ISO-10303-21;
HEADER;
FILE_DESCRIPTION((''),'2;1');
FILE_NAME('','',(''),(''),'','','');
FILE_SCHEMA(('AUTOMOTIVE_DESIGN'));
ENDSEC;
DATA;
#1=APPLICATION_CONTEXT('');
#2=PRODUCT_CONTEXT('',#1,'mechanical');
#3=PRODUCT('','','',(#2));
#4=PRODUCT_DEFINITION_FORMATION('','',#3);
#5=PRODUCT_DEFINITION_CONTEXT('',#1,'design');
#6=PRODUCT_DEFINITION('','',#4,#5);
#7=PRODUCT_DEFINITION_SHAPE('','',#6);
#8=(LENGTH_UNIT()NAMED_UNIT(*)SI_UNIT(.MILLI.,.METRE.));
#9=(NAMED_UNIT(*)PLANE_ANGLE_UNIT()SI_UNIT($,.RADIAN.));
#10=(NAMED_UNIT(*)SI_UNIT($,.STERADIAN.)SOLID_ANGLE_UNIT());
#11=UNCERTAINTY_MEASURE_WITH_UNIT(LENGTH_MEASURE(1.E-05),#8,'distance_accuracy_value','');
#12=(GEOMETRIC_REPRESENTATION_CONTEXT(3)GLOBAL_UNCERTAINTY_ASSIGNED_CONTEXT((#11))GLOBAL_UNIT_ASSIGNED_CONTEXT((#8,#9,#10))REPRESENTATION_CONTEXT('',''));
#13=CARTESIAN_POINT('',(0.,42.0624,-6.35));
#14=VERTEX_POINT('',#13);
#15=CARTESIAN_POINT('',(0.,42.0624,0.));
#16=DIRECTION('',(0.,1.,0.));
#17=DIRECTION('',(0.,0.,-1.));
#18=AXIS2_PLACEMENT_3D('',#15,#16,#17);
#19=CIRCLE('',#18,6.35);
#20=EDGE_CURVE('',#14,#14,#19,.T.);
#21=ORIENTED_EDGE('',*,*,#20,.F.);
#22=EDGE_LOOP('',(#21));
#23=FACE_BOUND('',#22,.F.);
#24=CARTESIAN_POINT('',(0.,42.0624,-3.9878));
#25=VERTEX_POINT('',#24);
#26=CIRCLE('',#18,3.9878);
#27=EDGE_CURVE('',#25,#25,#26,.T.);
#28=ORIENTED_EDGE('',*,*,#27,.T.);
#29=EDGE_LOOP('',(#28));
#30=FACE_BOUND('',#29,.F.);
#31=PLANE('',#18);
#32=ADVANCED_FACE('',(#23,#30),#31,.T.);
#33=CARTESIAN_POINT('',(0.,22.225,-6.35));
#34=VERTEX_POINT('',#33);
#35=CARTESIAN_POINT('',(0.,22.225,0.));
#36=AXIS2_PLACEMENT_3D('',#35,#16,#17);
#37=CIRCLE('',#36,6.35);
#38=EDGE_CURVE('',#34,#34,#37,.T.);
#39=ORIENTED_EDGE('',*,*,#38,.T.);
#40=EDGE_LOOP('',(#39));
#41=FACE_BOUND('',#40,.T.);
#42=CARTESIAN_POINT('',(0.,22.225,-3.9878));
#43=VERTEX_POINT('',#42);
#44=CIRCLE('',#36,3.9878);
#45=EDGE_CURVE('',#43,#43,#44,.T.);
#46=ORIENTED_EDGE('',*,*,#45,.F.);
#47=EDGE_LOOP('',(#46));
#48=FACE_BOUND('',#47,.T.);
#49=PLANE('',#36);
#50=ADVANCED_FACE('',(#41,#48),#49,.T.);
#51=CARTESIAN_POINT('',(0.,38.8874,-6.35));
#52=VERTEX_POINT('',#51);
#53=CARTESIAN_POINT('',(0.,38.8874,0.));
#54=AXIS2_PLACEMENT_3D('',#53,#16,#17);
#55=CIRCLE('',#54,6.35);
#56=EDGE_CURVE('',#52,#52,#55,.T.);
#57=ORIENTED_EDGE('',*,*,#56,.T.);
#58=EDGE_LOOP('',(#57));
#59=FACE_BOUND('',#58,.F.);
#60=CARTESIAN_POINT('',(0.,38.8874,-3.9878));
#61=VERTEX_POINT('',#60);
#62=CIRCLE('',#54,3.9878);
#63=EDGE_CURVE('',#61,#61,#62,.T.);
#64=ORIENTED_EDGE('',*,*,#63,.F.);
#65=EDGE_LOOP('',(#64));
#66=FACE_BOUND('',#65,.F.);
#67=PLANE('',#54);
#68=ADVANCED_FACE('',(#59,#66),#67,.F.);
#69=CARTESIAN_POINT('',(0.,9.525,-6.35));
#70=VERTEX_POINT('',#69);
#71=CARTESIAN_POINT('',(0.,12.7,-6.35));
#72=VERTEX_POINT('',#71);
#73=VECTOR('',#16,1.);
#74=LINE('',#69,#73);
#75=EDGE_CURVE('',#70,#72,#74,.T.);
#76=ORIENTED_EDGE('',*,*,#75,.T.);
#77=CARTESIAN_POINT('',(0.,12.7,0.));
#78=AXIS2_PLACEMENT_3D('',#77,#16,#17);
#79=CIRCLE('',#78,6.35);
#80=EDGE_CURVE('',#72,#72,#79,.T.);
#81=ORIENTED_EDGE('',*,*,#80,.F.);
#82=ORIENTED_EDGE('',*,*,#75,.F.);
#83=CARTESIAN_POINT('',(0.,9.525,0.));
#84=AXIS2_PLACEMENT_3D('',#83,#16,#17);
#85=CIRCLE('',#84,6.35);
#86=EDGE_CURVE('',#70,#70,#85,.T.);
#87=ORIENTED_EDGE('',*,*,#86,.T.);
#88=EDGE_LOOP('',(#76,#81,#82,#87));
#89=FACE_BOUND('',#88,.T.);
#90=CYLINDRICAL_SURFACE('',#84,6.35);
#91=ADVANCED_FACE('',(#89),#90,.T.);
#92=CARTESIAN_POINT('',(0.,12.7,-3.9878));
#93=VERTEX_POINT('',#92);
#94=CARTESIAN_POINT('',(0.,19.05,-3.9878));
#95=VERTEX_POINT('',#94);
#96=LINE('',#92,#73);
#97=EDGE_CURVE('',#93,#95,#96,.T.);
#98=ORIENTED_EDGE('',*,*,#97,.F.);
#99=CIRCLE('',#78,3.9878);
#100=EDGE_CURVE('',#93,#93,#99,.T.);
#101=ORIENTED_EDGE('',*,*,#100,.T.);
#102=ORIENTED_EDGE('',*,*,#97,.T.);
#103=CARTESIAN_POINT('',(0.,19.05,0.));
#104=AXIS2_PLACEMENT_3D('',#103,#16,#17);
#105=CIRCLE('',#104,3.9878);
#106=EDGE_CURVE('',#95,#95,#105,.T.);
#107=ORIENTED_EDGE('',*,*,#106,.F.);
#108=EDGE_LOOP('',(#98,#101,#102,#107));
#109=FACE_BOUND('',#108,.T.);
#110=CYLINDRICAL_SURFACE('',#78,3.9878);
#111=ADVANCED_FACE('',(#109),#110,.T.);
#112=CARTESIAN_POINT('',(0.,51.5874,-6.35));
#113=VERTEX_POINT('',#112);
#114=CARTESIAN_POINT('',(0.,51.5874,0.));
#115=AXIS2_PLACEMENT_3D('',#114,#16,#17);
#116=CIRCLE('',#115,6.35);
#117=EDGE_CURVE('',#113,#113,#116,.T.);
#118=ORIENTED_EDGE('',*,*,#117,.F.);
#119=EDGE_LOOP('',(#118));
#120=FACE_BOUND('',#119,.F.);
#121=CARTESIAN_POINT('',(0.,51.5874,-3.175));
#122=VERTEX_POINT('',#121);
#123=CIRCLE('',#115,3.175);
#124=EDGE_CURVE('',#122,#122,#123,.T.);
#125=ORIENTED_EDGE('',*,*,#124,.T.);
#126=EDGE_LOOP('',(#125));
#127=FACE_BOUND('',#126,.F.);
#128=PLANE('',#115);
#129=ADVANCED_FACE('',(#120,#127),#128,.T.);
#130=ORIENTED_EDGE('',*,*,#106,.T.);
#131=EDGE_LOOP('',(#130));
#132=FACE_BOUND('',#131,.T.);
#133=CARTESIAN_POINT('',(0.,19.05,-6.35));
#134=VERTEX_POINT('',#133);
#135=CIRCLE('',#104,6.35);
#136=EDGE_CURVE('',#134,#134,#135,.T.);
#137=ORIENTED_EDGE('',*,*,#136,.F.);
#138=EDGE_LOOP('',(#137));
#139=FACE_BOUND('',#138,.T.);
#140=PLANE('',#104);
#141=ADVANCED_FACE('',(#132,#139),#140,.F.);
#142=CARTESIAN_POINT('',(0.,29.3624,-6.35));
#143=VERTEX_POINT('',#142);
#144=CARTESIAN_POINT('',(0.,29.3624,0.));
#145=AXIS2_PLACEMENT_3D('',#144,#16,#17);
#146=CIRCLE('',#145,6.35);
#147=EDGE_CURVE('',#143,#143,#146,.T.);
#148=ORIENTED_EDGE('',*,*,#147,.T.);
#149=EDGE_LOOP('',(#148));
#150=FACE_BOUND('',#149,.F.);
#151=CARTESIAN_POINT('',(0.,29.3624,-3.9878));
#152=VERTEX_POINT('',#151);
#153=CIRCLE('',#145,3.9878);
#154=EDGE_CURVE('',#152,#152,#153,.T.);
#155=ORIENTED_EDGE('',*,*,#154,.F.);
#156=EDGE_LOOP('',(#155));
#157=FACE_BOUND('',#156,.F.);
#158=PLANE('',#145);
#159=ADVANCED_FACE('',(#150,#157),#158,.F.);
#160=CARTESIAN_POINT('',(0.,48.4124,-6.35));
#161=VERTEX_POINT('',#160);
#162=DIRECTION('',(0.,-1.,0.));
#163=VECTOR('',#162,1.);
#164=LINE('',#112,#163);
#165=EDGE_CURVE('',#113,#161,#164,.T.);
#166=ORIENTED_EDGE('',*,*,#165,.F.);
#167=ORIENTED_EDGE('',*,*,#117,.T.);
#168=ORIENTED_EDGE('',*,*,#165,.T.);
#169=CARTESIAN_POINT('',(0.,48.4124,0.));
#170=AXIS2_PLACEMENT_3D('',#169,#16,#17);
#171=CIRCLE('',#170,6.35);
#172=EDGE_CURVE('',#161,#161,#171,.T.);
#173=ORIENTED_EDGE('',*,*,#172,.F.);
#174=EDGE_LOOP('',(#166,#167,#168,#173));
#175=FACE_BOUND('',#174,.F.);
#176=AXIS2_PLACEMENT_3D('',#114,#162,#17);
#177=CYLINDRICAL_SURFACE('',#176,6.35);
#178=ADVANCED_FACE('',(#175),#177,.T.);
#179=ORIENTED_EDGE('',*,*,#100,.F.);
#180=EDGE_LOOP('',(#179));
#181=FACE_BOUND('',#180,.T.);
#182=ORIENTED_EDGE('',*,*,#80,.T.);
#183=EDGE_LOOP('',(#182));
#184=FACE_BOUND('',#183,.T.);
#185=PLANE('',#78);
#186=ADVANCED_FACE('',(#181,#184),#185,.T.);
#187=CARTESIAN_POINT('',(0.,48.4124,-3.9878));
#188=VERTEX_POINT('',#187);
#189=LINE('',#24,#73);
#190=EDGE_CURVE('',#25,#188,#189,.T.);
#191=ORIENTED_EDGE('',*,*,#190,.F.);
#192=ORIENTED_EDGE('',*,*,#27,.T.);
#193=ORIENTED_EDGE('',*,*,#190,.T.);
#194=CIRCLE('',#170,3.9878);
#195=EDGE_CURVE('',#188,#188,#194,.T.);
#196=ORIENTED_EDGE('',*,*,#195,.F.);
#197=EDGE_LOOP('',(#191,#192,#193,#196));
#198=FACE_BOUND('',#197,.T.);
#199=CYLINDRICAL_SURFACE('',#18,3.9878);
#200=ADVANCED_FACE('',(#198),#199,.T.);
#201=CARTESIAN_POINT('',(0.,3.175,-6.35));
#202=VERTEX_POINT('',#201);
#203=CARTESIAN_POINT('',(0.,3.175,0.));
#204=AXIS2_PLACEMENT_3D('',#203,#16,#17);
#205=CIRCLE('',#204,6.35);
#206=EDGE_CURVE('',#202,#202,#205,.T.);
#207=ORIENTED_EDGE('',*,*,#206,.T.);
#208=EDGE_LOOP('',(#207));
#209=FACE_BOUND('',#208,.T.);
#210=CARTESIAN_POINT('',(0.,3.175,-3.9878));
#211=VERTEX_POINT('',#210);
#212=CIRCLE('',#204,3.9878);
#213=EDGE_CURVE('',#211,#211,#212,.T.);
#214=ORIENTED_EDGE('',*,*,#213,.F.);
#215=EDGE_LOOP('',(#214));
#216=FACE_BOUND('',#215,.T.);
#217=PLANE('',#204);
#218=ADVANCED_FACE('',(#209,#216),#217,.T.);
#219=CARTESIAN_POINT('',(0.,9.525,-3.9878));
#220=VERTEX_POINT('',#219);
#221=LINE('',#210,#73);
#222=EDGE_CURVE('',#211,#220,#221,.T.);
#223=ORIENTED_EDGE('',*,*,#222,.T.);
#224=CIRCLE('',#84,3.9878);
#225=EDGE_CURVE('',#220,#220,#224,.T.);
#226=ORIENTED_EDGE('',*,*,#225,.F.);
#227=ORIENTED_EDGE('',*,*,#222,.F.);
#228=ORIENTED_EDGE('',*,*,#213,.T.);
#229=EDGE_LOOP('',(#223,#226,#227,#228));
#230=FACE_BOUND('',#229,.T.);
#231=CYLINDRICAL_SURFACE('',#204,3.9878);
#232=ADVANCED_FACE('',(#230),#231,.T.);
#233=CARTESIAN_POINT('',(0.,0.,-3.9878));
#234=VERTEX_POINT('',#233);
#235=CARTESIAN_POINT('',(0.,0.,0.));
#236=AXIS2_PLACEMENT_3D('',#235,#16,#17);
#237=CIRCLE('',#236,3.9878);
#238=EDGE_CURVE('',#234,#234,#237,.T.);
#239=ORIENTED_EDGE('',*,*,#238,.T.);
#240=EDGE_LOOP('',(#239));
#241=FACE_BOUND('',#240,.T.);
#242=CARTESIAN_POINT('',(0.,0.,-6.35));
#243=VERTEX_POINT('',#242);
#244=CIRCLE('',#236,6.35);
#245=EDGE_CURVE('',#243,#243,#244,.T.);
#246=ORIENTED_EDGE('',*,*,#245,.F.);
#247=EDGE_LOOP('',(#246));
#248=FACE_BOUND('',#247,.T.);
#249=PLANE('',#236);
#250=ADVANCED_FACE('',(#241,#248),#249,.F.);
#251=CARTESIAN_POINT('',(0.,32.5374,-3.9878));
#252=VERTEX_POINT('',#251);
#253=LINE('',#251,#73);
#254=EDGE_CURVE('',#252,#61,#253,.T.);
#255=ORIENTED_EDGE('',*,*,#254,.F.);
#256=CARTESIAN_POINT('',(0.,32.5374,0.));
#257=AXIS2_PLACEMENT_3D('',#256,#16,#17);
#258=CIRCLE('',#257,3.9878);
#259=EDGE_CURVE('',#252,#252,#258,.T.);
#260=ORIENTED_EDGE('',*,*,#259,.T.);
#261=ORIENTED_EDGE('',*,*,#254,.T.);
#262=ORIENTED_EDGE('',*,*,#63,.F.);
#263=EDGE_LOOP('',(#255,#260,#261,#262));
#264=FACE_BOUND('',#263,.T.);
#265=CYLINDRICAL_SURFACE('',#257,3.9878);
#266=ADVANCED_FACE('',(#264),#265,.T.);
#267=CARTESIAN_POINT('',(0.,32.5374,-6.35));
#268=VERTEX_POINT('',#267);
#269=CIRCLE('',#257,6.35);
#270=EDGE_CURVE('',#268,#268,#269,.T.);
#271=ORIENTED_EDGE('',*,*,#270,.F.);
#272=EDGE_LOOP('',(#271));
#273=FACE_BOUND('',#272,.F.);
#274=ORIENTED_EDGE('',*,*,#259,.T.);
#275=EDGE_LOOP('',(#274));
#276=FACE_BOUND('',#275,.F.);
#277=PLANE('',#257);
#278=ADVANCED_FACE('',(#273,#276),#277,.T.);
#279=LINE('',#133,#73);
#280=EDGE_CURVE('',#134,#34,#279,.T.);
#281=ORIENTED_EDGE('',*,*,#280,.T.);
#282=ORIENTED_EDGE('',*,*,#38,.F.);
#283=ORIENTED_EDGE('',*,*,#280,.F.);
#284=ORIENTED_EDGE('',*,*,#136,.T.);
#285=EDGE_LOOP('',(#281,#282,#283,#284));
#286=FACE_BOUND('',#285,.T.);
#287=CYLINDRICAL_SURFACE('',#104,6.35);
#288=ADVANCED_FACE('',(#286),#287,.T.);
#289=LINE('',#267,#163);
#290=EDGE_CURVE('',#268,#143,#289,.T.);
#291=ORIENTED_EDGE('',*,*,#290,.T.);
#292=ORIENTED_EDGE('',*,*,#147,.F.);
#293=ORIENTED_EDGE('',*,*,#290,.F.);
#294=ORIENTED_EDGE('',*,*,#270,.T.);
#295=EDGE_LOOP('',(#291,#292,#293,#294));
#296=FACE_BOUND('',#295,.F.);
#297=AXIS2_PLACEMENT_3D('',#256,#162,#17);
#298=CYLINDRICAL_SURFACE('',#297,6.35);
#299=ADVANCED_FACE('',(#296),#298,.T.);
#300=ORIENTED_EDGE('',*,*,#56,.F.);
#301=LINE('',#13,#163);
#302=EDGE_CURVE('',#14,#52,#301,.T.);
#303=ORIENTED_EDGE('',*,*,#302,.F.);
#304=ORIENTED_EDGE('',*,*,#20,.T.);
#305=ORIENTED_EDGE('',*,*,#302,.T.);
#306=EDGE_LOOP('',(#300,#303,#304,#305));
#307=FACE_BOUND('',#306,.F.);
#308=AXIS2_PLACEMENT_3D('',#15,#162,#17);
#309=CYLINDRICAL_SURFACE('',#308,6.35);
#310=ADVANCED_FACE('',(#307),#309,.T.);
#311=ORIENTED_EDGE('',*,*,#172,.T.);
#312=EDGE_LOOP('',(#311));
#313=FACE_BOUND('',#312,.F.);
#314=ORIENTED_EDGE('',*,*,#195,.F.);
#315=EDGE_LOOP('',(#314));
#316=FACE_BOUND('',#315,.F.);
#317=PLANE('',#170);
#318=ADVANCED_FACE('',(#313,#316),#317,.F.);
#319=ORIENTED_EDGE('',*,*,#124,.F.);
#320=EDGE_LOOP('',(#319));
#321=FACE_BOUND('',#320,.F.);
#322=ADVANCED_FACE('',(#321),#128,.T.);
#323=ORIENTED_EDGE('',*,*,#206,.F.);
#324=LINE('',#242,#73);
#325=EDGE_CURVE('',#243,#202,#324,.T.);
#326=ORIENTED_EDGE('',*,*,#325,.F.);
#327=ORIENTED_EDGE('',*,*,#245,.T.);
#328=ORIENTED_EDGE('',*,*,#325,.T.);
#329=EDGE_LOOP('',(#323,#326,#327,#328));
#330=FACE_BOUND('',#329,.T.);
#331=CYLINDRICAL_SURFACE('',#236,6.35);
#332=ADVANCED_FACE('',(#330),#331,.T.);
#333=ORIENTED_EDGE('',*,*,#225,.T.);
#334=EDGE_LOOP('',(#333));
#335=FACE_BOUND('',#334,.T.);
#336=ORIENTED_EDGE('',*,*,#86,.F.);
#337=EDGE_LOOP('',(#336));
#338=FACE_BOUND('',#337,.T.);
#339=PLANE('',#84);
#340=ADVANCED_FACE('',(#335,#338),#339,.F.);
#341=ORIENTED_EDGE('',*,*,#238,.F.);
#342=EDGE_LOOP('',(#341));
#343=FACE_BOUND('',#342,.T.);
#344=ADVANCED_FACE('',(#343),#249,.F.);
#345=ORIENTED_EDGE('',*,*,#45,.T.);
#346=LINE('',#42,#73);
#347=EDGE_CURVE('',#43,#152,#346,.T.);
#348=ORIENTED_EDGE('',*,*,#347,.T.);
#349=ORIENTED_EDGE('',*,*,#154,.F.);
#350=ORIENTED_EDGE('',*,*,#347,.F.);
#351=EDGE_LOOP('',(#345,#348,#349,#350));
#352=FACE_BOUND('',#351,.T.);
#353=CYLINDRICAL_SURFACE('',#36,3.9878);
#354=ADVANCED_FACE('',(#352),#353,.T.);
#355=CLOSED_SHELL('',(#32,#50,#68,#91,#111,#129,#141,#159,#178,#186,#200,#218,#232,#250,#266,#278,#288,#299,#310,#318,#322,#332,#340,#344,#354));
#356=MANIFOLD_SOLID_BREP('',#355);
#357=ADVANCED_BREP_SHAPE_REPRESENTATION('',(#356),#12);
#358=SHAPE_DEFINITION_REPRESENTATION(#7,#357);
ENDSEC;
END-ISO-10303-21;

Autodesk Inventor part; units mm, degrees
ref_plane "YZ Plane" through (0, 0, 0) normal (1, 0, 0) x (0, 1, 0)
ref_plane "XZ Plane" through (0, 0, 0) normal (0, 1, 0) x (-1, 0, 0)
ref_plane "XY Plane" through (0, 0, 0) normal (0, 0, 1) x (1, 0, 0)
sketch "Sketch1" plane through (0, 0, 0) normal (1, 0, 0) x (0, 1, 0)
  line L0 (0, 0) -> (0, -3.9878)
  line L1 (0, -3.9878) -> (0, -6.35)
  line L2 (0, -6.35) -> (3.175, -6.35)
  line L3 (3.175, -6.35) -> (3.175, -3.9878)
  line L4 (9.525, -3.9878) -> (9.525, -6.35)
  line L5 (9.525, -6.35) -> (12.7, -6.35)
  line L6 (12.7, -6.35) -> (12.7, -3.9878)
  line L7 (19.05, -3.9878) -> (19.05, -6.35)
  line L8 (19.05, -6.35) -> (22.225, -6.35)
  line L9 (22.225, -6.35) -> (22.225, -3.9878)
  line L10 (25.7937, 0) -> (0, 0)
  line L11 (51.5874, 0) -> (51.5874, -3.175)
  line L12 (51.5874, -3.175) -> (51.5874, -6.35)
  line L13 (51.5874, -6.35) -> (48.4124, -6.35)
  line L14 (48.4124, -6.35) -> (48.4124, -3.9878)
  line L15 (42.0624, -3.9878) -> (42.0624, -6.35)
  line L16 (42.0624, -6.35) -> (38.8874, -6.35)
  line L17 (38.8874, -6.35) -> (38.8874, -3.9878)
  line L18 (32.5374, -3.9878) -> (32.5374, -6.35)
  line L19 (32.5374, -6.35) -> (29.3624, -6.35)
  line L20 (29.3624, -6.35) -> (29.3624, -3.9878)
  line L21 (25.7937, 0) -> (51.5874, 0)
  line L22 (3.175, -3.9878) -> (9.525, -3.9878)
  line L23 (12.7, -3.9878) -> (19.05, -3.9878)
  line L24 (22.225, -3.9878) -> (29.3624, -3.9878)
  line L25 (32.5374, -3.9878) -> (38.8874, -3.9878)
  line L26 (42.0624, -3.9878) -> (48.4124, -3.9878)
  dimension "d1" = 3.9878
  dimension "d2" = 2.3622
  dimension "d3" = 3.175
  dimension "d5" = 3.175
  dimension "d7" = 3.175
revolve "Revolution1" add sketch "Sketch1" angle 360 about axis through (0, 25.7937, 0) along (0, 1, 0)
properties part number "Crankshaft Crank Cylinder"
